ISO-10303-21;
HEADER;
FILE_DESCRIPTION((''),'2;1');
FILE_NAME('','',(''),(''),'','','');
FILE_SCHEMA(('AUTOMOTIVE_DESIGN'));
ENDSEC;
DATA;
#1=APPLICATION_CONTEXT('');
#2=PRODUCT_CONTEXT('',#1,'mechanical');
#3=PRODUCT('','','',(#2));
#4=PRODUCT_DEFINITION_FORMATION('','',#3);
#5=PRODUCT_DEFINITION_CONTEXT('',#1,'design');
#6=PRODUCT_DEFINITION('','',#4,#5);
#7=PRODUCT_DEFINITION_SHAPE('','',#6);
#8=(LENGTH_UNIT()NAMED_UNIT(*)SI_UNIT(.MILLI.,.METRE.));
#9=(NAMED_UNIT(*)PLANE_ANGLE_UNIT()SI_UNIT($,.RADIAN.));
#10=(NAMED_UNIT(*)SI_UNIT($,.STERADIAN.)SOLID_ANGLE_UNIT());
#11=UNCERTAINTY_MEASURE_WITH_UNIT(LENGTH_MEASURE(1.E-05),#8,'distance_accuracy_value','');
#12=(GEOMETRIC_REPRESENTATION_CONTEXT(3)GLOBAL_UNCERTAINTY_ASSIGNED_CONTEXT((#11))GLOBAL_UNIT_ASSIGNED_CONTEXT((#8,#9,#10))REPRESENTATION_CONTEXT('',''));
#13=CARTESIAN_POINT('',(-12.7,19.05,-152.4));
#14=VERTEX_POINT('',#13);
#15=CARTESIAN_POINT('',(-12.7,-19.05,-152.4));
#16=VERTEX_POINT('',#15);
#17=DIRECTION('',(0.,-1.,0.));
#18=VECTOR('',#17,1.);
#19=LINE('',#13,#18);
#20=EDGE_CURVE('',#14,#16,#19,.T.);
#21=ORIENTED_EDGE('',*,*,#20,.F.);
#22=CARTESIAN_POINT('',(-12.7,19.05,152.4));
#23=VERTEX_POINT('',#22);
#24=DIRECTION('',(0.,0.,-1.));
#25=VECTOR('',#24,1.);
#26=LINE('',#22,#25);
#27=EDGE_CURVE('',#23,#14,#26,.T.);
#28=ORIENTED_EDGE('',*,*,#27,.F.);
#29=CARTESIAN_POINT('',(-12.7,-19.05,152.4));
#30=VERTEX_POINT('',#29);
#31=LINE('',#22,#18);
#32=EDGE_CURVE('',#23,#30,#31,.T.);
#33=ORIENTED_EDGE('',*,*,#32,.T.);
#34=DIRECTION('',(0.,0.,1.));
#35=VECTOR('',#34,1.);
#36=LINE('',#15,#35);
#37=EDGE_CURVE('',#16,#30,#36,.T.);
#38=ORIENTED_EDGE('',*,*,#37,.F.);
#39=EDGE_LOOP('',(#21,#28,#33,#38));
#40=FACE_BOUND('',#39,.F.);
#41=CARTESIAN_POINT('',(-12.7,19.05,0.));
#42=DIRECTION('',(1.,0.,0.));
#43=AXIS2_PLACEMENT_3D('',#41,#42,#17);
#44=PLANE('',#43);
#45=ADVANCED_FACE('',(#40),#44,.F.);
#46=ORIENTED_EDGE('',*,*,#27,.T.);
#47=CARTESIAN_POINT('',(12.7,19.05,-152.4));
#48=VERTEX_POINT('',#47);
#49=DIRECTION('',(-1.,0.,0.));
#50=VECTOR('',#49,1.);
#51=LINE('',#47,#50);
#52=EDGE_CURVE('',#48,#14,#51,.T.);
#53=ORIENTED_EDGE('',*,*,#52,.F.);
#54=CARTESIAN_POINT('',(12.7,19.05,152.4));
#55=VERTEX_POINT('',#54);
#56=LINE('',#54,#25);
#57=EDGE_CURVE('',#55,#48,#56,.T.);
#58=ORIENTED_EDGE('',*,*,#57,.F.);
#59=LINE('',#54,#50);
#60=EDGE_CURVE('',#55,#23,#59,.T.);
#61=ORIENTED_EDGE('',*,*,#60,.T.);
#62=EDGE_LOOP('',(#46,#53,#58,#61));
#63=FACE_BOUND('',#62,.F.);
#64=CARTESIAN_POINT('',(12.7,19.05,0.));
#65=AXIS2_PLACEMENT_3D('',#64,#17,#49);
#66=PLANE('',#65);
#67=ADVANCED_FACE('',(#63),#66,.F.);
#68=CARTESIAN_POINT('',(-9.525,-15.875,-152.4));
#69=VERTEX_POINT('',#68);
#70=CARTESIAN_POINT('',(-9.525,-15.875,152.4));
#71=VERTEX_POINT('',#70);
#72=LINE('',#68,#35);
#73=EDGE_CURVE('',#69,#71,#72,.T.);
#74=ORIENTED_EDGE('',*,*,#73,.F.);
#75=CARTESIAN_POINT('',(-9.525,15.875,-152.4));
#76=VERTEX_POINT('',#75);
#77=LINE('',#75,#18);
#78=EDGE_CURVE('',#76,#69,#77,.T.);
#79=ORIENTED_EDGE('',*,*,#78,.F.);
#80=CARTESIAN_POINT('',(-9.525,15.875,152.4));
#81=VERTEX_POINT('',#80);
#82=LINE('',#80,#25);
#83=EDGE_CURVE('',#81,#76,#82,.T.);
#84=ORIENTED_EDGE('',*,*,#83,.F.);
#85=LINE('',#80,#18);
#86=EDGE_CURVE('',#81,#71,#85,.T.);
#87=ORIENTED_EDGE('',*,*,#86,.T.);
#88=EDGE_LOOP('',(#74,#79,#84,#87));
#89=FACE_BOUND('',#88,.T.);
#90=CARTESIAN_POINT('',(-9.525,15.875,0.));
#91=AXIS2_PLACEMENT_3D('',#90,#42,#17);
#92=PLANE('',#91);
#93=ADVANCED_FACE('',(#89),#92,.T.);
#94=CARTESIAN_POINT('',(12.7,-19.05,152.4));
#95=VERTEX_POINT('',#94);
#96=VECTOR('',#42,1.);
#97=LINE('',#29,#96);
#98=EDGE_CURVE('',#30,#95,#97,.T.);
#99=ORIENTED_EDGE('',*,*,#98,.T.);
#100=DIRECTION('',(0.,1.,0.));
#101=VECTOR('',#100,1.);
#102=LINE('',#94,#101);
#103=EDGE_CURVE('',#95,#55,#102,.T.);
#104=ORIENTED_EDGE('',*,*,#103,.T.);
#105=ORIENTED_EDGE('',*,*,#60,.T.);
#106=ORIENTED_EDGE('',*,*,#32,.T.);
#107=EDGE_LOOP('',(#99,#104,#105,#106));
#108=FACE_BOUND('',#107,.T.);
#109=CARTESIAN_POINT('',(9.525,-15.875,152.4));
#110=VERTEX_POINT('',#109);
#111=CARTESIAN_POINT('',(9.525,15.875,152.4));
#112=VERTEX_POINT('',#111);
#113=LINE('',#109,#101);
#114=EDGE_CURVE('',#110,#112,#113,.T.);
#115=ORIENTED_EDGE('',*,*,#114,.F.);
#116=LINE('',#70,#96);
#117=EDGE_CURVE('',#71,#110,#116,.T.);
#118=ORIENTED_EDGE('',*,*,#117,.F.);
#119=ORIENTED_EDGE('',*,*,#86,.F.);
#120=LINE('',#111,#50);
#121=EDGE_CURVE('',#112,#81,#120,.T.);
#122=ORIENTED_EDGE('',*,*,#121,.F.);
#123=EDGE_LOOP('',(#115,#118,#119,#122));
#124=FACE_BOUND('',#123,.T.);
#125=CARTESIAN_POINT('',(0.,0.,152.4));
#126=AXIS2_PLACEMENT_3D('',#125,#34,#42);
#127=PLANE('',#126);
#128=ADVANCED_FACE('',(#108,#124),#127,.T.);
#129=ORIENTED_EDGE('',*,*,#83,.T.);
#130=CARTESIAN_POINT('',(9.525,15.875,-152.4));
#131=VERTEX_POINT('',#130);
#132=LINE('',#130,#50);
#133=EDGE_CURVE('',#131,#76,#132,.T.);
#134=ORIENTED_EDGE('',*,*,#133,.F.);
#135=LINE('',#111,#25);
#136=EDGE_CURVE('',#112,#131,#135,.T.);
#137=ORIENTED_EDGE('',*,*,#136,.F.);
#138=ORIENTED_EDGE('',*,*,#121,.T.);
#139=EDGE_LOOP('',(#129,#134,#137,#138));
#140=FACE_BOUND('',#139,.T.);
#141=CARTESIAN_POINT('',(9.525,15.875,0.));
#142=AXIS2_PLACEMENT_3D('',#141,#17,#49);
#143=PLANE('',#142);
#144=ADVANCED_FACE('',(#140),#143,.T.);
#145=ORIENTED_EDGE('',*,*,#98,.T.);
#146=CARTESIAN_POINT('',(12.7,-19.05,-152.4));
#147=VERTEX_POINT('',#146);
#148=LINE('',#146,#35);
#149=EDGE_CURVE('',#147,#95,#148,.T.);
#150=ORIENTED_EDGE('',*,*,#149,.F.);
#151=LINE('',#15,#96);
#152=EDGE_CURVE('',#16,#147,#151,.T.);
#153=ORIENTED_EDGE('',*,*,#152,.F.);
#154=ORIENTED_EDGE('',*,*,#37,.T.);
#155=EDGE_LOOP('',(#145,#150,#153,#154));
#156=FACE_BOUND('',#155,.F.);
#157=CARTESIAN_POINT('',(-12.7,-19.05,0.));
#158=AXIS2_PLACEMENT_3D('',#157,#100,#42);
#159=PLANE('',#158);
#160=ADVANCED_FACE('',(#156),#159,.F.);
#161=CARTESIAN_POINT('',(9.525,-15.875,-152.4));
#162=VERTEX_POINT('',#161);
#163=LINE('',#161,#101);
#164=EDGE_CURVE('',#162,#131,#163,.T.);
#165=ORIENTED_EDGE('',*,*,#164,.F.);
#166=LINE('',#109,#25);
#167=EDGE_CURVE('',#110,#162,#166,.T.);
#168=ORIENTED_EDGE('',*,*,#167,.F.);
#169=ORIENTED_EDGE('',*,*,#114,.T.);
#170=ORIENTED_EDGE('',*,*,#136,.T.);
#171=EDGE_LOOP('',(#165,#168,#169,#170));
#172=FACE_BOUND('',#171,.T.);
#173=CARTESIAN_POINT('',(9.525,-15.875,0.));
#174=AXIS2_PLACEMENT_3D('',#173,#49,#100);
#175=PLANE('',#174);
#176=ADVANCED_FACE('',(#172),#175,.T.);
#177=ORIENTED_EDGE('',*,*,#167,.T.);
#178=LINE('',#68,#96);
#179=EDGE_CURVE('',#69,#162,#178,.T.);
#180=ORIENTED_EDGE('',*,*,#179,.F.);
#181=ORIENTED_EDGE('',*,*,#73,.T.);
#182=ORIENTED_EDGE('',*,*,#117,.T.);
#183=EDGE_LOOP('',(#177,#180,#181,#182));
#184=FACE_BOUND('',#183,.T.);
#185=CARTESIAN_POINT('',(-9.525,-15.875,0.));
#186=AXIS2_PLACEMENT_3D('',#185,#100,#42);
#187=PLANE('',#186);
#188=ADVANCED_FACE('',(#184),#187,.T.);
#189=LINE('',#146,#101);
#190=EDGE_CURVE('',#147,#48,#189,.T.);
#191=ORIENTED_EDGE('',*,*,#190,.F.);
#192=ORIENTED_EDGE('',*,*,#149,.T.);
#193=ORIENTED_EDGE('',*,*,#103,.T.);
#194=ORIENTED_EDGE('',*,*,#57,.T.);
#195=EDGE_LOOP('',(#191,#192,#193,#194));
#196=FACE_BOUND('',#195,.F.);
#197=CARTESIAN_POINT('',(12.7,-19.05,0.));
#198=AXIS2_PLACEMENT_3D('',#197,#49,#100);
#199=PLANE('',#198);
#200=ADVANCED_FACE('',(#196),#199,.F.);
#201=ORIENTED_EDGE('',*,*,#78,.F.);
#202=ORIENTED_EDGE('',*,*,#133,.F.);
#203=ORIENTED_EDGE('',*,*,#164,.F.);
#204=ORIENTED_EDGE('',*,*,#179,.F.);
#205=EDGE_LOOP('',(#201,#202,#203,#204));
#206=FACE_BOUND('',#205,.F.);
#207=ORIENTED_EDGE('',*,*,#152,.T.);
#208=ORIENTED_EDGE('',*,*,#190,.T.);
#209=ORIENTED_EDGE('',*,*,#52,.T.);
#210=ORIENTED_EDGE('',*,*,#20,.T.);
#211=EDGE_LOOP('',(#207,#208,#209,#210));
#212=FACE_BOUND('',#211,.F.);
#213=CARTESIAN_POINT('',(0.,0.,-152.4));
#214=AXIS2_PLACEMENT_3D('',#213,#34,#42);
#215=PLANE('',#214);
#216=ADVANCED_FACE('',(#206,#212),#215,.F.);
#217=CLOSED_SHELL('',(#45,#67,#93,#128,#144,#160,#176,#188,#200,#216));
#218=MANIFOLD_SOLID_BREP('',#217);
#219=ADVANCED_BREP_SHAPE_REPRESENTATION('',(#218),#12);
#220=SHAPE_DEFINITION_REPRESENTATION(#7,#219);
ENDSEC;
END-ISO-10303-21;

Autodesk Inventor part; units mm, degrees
ref_plane "YZ Plane" through (0, 0, 0) normal (1, 0, 0) x (0, 1, 0)
ref_plane "XZ Plane" through (0, 0, 0) normal (0, 1, 0) x (-1, 0, 0)
ref_plane "XY Plane" through (0, 0, 0) normal (0, 0, 1) x (1, 0, 0)
sketch "Sketch1" plane through (0, 0, 0) normal (0, 0, 1) x (1, 0, 0)
  line L0 (-12.7, -19.05) -> (12.7, -19.05)
  line L1 (12.7, -19.05) -> (12.7, 19.05)
  line L2 (12.7, 19.05) -> (-12.7, 19.05)
  line L3 (-12.7, 19.05) -> (-12.7, -19.05)
  line L4 (-12.7, -19.05) -> (12.7, 19.05) construction
  line L5 (12.7, -19.05) -> (-12.7, 19.05) construction
  line L6 (-9.525, -15.875) -> (9.525, -15.875)
  line L7 (9.525, -15.875) -> (9.525, 15.875)
  line L8 (9.525, 15.875) -> (-9.525, 15.875)
  line L9 (-9.525, 15.875) -> (-9.525, -15.875)
  line L10 (-9.525, -15.875) -> (9.525, 15.875) construction
  line L11 (9.525, -15.875) -> (-9.525, 15.875) construction
  point P0 (0, 0)
  dimension "d0" = 25.4
  dimension "d1" = 38.1
  dimension "d2" = 3.175
  dimension "d3" = 3.175
extrude "Extrusion1" add sketch "Sketch1" along normal mid plane 304.8
properties part number "spacerForBackSide" material "Aluminum 6061, Welded"
